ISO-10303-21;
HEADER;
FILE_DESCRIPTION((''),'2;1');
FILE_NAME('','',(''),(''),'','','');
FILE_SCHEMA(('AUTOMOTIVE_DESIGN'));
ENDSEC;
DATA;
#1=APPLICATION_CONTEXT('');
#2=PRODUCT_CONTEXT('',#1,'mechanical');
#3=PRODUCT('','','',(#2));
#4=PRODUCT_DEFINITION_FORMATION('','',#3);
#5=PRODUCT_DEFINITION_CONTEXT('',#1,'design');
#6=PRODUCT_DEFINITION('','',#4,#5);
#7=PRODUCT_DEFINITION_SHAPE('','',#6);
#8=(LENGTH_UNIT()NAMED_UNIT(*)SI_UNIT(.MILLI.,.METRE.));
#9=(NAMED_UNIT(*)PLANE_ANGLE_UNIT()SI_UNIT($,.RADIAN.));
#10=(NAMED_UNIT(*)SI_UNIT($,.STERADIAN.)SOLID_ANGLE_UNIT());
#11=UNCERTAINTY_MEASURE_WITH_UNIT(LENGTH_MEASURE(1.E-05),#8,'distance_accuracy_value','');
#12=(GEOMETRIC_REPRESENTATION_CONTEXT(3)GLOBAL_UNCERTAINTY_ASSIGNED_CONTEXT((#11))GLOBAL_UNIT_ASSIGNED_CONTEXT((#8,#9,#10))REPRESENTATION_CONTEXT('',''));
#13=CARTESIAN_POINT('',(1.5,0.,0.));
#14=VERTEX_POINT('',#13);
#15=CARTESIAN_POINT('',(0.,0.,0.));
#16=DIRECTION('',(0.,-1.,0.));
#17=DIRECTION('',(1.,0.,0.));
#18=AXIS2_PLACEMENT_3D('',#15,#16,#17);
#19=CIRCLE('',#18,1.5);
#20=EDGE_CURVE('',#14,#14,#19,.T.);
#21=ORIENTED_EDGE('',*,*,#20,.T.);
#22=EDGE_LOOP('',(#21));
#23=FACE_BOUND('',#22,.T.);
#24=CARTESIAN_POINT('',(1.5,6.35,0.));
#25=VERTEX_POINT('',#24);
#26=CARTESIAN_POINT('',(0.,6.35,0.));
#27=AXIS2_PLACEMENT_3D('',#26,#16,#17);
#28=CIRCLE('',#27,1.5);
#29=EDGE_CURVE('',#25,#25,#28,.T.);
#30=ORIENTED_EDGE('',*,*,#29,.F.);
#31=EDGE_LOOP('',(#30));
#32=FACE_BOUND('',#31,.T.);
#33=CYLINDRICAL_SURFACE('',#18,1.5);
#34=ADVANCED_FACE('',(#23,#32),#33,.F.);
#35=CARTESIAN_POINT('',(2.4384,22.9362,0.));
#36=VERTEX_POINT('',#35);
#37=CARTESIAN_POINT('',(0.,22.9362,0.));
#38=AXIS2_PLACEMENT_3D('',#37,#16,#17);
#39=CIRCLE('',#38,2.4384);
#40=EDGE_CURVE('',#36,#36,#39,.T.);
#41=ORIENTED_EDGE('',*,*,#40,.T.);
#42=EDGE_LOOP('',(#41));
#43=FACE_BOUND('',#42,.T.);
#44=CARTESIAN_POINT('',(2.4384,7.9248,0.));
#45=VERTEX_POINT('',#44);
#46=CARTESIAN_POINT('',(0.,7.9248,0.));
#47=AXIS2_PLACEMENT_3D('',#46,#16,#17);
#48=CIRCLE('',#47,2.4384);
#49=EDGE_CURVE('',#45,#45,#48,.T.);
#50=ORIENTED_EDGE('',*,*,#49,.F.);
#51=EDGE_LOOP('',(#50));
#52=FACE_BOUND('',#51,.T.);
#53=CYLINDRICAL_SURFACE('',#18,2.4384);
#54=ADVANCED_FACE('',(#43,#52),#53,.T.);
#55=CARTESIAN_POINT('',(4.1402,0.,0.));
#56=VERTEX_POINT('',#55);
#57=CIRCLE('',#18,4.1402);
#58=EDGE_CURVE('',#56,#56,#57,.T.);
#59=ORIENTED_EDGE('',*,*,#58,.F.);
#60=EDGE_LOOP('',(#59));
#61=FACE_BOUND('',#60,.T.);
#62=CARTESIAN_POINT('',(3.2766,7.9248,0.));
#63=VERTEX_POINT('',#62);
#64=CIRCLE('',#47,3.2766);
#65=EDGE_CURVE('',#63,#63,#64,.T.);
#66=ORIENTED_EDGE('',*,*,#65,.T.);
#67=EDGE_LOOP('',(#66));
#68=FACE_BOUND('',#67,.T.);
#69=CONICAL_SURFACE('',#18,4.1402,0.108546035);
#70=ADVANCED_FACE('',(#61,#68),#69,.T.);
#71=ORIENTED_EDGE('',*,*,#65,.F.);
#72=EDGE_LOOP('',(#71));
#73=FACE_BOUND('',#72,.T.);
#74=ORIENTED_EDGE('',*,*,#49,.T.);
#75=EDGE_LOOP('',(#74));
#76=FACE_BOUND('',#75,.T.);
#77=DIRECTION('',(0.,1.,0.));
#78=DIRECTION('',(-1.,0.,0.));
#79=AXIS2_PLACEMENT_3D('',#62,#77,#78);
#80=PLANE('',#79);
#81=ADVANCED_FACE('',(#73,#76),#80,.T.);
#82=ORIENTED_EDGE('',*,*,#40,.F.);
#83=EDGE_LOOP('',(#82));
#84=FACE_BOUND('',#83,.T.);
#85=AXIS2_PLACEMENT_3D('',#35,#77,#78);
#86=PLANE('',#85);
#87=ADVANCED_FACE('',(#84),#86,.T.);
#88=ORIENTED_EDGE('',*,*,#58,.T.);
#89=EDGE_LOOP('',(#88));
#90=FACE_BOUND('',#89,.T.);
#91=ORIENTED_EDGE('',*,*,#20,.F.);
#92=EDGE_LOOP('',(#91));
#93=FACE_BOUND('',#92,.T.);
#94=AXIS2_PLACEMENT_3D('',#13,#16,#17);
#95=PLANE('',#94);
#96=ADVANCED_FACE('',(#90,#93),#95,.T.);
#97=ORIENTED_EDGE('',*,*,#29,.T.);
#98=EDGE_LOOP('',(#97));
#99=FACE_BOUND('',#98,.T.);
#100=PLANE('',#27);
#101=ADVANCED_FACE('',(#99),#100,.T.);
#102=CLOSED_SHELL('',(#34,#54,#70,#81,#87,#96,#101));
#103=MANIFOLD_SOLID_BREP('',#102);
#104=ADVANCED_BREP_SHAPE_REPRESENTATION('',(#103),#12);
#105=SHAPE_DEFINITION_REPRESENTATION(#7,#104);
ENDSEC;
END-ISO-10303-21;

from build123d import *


with BuildPart() as part:
    # Sketch1 → Revolve1 (revolve)
    with BuildSketch(Plane.XY):
        Polygon((0, 22.9362), (0, 6.35), (1.5, 6.35), (1.5, 0), (4.1402, 0), (3.2766, 7.9248), (2.4384, 7.9248), (2.4384, 22.9362), align=None)
    revolve(axis=Axis((0, 0, 0), (0, 1, 0)))


solid = part.part
